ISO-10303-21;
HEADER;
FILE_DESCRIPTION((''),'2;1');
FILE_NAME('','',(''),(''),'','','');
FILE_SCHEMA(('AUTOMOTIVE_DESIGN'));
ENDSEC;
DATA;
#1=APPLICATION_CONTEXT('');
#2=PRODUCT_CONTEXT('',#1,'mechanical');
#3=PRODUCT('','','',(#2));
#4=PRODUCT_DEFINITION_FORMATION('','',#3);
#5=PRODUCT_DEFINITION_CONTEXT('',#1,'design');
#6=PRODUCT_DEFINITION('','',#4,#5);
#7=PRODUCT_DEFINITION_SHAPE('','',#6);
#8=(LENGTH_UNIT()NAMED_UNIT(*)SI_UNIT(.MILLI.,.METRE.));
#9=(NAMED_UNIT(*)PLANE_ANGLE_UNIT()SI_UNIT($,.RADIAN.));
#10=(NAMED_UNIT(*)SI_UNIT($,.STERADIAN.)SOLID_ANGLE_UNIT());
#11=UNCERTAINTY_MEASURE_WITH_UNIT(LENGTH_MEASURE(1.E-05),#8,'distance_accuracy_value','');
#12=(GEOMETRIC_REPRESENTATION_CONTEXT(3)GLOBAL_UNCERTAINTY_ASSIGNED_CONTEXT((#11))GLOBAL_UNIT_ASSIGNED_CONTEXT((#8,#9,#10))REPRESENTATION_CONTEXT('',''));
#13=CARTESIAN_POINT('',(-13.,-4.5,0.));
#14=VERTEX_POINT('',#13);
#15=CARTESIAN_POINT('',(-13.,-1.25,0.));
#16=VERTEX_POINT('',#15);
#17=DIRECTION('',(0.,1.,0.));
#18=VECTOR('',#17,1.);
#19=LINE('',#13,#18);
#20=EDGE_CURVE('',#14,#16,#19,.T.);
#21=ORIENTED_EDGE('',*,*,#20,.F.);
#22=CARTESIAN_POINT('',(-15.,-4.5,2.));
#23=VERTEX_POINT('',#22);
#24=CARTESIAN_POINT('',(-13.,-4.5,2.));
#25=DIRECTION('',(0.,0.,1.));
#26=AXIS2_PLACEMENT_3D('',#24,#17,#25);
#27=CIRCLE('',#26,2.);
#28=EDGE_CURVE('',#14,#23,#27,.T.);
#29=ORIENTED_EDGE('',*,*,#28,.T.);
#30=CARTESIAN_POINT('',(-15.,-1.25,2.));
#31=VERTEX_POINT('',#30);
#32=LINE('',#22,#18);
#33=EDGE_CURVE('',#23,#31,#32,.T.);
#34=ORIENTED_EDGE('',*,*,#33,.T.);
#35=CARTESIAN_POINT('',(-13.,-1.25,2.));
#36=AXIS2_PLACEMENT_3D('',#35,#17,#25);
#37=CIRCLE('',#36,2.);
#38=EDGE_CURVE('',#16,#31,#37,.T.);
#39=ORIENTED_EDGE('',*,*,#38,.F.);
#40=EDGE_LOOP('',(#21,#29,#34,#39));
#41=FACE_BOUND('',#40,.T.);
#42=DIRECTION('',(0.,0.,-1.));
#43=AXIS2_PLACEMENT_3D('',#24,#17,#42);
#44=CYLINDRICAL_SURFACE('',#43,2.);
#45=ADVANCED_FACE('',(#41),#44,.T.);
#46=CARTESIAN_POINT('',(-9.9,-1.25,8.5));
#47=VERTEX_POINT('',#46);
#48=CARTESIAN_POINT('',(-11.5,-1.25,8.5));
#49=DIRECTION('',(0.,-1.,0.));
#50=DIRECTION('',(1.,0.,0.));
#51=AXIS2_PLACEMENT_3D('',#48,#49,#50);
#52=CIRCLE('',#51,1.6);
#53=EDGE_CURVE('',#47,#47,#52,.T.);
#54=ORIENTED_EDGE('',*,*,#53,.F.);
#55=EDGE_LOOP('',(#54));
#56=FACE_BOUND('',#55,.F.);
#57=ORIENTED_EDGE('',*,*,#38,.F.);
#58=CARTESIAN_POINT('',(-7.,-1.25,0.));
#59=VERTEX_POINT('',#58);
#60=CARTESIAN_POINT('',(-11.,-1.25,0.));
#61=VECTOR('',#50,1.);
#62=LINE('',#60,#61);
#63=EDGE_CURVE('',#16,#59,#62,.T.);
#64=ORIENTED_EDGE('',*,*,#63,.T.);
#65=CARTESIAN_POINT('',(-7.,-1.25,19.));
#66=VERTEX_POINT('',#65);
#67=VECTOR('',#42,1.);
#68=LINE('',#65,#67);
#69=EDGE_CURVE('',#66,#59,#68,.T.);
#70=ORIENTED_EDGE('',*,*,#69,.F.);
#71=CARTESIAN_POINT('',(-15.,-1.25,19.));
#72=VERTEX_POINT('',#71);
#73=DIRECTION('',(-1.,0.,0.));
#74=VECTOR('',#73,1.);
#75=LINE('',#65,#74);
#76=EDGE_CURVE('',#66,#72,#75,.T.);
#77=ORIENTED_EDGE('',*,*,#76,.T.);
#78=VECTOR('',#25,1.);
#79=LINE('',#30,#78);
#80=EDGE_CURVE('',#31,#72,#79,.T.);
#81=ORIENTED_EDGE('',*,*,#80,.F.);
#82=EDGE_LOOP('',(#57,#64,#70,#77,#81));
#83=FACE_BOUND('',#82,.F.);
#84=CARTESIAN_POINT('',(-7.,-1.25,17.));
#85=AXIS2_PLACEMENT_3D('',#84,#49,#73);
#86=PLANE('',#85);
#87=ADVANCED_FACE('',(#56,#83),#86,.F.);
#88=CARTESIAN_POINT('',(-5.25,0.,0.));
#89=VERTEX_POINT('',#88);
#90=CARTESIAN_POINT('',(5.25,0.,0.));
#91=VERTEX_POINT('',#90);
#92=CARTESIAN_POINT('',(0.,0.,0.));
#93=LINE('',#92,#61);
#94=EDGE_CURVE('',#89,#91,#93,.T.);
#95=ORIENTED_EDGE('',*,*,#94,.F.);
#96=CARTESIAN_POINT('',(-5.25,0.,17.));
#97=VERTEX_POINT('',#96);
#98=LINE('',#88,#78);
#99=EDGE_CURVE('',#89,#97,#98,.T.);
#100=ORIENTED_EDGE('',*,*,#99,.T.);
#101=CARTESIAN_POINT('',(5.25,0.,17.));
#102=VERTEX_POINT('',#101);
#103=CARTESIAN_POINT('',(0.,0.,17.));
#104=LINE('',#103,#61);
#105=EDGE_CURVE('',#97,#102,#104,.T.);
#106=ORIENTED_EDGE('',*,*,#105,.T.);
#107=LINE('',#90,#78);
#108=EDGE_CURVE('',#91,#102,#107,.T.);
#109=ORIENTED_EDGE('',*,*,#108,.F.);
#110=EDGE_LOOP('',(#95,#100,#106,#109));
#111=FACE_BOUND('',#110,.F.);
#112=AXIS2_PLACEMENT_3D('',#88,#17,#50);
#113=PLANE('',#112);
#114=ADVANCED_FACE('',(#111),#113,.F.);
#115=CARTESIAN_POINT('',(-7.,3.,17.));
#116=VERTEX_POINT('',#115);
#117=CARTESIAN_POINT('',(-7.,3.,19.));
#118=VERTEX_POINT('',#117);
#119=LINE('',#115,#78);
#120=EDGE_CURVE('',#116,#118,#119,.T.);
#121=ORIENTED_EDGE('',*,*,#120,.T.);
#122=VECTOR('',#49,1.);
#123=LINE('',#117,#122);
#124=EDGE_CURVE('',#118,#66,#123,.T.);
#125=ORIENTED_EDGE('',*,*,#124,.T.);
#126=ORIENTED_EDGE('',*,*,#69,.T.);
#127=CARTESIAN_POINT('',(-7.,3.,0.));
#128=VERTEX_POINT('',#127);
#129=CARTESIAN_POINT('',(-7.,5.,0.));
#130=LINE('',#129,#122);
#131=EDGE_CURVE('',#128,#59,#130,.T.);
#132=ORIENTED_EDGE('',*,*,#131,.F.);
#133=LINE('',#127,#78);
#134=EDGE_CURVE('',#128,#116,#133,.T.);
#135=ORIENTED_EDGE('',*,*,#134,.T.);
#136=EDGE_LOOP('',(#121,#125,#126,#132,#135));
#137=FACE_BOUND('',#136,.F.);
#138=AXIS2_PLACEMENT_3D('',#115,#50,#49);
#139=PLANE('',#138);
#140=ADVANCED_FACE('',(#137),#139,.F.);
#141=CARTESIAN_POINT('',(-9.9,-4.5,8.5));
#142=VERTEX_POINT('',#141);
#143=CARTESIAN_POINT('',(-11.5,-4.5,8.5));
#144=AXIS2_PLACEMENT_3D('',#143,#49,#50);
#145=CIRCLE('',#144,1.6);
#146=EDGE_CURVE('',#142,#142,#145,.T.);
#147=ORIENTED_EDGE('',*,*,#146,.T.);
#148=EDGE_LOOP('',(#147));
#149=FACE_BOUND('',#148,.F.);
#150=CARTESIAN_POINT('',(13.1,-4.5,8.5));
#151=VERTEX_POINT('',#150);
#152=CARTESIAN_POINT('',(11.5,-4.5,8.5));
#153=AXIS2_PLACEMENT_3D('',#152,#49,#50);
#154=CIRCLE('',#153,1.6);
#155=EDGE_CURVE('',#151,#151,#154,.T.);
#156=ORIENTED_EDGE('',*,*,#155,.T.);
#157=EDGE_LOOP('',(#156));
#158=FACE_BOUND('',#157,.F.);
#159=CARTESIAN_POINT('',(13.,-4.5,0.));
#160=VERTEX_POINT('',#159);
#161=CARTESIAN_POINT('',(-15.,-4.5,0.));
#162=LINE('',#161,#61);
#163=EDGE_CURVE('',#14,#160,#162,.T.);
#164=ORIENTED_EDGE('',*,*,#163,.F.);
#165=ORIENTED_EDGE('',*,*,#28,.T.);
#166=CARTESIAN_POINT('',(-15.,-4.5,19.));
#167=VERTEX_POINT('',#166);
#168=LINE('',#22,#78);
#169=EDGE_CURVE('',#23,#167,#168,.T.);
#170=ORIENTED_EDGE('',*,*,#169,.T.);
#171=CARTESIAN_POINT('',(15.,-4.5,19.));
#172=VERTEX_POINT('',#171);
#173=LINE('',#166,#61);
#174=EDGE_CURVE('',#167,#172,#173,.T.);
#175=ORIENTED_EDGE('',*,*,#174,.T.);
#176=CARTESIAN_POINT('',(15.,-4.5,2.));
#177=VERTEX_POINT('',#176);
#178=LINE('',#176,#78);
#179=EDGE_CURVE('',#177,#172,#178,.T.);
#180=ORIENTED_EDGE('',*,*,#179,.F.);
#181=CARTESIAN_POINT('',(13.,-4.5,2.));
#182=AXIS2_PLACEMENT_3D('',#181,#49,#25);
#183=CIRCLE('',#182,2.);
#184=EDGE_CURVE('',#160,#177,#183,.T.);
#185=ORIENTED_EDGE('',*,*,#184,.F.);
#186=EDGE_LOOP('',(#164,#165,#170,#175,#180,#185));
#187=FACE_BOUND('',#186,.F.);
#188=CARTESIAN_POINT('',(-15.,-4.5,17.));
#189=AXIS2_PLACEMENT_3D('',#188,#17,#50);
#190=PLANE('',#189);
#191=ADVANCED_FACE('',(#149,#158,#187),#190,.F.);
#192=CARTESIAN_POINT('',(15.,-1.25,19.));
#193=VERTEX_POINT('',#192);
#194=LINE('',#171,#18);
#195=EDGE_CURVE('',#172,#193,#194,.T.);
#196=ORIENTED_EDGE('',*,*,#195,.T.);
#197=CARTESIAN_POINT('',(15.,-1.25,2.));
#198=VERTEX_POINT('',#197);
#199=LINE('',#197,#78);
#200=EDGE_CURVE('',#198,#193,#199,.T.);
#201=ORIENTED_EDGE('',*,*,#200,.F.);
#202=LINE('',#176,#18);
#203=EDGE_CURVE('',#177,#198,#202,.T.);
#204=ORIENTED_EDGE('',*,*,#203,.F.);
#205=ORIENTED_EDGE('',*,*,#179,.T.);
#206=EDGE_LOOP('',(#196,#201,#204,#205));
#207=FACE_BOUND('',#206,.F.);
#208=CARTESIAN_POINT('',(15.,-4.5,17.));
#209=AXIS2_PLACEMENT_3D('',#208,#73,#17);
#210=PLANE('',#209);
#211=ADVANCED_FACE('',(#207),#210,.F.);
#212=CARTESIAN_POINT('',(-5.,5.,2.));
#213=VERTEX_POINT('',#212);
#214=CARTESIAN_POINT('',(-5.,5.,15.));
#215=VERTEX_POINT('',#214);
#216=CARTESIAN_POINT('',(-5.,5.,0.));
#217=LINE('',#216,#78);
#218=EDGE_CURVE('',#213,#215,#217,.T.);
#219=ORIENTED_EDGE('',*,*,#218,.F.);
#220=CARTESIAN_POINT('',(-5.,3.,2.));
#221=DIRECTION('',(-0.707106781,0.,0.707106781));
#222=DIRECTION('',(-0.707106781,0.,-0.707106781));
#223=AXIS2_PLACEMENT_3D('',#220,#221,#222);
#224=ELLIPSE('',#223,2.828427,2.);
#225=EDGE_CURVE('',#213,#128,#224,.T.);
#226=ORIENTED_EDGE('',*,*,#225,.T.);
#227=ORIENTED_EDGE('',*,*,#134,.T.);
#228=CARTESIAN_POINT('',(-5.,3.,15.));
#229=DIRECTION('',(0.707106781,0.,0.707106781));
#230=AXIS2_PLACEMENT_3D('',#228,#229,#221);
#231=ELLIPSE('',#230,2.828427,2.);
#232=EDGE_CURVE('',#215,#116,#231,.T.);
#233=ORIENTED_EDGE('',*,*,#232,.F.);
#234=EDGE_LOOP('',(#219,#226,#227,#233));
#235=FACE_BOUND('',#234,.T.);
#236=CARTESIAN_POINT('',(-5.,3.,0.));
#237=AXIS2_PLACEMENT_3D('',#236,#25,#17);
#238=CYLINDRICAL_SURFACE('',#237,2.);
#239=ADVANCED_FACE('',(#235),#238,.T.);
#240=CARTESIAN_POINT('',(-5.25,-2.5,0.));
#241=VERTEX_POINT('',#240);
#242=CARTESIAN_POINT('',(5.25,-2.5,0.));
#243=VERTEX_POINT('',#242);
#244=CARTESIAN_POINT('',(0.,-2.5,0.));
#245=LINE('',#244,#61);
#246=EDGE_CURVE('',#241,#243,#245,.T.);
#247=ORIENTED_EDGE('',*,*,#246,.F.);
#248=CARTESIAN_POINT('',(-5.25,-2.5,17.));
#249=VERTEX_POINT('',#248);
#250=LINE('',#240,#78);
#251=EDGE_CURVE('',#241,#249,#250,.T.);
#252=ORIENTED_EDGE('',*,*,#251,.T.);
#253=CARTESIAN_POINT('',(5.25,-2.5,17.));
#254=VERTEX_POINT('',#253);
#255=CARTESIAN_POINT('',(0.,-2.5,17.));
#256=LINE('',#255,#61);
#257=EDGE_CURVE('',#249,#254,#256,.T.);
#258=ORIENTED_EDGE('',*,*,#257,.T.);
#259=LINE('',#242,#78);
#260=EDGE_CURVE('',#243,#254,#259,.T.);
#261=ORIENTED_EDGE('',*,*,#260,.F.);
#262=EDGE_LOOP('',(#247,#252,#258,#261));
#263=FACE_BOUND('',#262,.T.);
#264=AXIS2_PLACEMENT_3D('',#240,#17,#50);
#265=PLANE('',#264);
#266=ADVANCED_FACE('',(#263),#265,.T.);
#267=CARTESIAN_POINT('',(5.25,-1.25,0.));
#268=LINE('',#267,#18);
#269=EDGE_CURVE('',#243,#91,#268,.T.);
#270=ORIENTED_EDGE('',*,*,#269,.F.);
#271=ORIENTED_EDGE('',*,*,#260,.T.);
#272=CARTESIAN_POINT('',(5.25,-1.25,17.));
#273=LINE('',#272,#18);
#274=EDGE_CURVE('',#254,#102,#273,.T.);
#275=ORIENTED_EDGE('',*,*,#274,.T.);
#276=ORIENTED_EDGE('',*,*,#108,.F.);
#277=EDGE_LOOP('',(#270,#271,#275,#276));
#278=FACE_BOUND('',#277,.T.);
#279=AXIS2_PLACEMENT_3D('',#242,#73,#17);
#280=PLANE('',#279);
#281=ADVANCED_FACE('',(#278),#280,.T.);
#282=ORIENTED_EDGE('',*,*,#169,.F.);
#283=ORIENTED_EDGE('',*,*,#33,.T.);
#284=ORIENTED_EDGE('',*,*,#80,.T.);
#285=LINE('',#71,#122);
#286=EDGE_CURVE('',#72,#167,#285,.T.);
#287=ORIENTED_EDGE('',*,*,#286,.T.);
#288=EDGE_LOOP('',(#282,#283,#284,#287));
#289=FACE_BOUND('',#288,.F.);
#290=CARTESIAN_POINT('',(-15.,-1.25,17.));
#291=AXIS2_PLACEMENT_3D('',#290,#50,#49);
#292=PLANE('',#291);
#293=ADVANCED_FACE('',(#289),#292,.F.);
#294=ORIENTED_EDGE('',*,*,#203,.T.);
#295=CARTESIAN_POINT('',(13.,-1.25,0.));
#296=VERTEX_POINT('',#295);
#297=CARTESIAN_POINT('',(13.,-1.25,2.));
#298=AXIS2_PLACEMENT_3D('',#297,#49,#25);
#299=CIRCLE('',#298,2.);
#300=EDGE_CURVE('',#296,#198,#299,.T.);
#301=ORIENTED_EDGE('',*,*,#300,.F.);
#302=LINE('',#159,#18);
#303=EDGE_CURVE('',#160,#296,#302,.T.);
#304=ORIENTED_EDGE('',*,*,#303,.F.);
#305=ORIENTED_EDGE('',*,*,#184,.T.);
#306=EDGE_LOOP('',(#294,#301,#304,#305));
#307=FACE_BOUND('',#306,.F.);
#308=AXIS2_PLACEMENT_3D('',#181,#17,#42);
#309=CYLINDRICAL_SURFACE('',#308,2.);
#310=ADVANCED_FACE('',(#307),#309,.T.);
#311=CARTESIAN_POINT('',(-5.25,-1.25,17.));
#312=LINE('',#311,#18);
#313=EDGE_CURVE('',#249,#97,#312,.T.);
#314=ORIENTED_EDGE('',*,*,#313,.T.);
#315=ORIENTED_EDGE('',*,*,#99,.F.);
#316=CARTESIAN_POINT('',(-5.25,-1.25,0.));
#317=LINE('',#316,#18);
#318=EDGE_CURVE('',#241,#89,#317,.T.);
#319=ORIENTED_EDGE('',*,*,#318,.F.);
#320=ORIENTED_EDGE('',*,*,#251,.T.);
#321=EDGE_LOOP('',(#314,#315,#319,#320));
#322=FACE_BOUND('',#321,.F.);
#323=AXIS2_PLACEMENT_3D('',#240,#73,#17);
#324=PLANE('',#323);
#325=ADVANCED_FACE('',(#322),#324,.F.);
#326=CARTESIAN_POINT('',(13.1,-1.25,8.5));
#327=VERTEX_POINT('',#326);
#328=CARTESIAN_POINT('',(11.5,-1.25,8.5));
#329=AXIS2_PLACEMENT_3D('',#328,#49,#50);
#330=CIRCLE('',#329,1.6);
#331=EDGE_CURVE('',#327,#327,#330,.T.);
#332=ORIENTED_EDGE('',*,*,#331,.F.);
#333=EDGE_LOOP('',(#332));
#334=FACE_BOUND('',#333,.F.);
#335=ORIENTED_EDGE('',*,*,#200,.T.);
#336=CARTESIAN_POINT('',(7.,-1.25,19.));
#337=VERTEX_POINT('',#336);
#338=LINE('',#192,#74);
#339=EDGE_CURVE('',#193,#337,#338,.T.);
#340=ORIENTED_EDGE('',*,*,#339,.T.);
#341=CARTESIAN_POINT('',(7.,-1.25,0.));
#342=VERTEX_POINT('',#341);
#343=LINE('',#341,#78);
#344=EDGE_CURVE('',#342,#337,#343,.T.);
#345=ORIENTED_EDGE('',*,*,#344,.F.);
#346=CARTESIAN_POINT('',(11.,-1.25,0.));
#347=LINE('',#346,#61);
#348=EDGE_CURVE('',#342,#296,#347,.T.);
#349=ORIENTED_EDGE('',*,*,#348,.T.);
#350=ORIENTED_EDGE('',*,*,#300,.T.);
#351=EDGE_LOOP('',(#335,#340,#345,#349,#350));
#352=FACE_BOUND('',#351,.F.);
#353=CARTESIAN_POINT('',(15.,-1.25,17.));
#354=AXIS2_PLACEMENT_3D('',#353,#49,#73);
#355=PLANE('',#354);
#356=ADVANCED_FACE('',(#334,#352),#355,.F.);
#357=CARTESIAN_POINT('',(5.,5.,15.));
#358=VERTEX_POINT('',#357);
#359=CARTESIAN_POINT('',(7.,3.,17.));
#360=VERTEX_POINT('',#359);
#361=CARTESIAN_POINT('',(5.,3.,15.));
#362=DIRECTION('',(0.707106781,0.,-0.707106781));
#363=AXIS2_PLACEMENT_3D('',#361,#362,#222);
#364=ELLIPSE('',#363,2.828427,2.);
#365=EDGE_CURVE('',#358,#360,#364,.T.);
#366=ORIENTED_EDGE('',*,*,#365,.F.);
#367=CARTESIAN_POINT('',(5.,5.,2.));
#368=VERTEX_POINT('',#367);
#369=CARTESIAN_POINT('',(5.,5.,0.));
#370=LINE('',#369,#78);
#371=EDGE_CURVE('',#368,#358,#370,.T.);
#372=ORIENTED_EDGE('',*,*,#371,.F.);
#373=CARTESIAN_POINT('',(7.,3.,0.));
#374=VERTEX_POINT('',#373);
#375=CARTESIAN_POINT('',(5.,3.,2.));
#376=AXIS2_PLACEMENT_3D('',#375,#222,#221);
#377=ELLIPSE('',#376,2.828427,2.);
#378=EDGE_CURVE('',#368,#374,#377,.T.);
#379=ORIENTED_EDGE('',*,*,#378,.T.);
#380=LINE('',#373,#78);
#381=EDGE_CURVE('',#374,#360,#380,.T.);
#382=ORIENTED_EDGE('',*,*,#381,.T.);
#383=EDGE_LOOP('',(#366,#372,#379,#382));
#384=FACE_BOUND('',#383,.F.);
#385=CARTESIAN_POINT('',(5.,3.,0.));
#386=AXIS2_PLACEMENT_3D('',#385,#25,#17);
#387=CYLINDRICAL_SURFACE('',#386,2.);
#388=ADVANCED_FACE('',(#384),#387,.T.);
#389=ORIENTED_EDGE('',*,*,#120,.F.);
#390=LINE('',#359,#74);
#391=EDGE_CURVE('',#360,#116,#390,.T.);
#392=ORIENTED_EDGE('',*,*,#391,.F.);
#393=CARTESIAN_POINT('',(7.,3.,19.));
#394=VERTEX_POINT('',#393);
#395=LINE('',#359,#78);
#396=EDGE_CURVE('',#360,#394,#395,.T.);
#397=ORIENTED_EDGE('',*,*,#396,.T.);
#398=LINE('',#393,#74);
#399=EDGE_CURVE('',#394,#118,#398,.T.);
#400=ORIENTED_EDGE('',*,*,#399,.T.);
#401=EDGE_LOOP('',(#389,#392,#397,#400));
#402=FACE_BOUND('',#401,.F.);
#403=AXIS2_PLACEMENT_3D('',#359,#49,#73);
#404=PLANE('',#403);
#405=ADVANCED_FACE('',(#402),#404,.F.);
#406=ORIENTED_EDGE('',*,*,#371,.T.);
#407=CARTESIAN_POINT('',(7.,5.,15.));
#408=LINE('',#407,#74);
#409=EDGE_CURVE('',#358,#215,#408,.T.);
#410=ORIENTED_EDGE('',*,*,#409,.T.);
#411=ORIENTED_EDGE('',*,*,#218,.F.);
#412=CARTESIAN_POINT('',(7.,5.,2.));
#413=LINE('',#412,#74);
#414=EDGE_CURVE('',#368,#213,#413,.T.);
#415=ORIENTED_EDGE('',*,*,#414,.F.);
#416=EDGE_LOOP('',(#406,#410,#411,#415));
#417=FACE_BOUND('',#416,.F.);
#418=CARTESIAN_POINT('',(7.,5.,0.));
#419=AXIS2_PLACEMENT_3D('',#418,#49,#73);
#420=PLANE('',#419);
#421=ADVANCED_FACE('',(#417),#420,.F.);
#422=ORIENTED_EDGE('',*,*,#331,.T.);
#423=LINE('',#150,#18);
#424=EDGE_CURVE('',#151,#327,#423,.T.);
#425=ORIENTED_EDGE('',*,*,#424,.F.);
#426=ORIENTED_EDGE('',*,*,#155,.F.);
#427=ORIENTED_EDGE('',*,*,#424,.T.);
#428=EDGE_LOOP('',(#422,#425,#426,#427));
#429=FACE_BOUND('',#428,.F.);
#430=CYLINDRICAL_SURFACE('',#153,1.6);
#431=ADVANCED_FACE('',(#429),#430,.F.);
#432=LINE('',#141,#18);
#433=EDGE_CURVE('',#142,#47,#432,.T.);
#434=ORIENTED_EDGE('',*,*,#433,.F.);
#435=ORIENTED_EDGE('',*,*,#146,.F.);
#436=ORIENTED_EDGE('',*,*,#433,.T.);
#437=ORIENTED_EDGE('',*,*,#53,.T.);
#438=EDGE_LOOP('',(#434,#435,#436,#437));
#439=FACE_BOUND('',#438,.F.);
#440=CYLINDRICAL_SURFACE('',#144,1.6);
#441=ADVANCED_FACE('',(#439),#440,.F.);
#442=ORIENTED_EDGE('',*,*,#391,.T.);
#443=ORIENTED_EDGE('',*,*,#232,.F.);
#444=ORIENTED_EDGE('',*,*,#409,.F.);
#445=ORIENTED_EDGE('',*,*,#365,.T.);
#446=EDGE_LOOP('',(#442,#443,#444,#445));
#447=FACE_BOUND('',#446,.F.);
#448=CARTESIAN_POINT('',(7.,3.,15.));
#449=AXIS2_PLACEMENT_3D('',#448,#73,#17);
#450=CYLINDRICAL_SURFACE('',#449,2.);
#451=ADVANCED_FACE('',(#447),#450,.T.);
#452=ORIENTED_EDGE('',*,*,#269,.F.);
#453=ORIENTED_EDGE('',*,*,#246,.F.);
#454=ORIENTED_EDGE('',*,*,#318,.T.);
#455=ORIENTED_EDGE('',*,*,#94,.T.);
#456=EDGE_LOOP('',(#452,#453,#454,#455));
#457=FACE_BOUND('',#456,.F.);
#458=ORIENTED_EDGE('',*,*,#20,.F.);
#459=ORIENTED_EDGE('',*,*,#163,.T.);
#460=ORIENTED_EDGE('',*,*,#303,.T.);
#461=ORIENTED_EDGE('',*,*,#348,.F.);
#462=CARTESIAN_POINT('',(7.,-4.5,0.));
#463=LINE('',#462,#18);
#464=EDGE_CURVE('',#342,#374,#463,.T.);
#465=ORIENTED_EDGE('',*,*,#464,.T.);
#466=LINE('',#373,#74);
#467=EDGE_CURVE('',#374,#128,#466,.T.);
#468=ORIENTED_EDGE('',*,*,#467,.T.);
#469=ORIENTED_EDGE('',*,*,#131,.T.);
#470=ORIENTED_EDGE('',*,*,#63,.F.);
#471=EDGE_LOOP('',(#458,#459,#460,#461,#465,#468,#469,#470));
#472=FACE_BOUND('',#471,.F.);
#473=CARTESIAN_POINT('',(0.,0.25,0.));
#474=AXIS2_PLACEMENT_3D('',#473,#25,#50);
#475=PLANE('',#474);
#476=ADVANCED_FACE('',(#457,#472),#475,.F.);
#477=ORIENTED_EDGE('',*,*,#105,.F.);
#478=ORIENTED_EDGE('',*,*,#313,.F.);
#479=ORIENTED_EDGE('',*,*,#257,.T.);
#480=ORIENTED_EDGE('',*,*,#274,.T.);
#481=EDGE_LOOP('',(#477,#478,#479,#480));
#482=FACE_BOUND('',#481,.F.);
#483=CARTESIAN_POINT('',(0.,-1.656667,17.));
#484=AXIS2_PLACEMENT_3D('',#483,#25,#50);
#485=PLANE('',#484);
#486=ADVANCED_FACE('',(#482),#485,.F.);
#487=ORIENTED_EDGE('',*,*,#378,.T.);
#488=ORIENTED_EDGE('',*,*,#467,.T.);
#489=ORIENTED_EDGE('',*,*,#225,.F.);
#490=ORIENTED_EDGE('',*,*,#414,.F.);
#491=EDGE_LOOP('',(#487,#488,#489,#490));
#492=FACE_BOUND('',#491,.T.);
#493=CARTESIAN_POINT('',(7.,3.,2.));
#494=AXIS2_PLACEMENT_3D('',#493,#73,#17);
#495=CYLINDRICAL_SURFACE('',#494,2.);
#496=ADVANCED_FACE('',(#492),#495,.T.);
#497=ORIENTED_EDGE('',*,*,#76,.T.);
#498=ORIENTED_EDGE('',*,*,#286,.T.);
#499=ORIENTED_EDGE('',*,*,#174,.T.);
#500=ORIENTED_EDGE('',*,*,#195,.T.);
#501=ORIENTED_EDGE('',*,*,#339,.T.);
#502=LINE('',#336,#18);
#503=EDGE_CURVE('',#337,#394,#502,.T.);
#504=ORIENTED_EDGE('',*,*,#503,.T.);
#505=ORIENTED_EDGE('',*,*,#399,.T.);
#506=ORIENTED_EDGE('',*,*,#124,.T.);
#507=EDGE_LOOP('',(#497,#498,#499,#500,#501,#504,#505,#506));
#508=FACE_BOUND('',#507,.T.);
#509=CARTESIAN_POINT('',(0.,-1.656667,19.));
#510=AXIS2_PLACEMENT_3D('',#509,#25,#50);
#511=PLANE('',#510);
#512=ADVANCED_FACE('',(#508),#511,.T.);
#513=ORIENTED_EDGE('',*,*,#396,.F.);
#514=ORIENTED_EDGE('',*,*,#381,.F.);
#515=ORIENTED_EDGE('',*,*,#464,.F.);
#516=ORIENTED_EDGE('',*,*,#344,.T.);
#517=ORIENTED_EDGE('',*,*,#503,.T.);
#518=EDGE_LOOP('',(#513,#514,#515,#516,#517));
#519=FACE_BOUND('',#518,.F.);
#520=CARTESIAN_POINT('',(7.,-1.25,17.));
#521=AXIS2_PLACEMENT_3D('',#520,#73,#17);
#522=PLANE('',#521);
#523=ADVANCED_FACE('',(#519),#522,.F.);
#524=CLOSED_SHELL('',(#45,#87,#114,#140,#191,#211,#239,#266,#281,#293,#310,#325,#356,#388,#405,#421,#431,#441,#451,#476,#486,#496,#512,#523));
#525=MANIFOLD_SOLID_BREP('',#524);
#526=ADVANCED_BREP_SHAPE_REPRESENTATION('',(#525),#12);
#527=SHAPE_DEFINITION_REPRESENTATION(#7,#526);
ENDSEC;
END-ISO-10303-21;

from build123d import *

# Parameters (mm, degrees)
F0_W     = 10.5
F0_H     = 2.5
F0_W_2   = 8
F0_H_2   = 3.25
F1_DEPTH = 17
F2_R     = 1.6
F3_DEPTH = 25
F4_R     = 2
F5_W     = 10.5
F5_H     = 2.5
F6_DEPTH = 2


with BuildPart() as f1:
    # F0 (on Top) → F1 (new body)
    with BuildSketch(Plane.XY):
        Polygon((7, 5), (-7, 5), (-7, -1.25), (-7, -4.5), (7, -4.5), (7, -1.25), align=None)
        with Locations((0, -1.25)):
            Rectangle(F0_W, F0_H, mode=Mode.SUBTRACT)
        with Locations((11, -2.875)):
            Rectangle(F0_W_2, F0_H_2)
        with Locations((-11, -2.875)):
            Rectangle(F0_W_2, F0_H_2)
    extrude(amount=F1_DEPTH)

    # F2 (on face) → F3 (cut)
    with BuildSketch(Plane.XZ.offset(4.5)):
        with Locations((11.5, 8.5)):
            Circle(F2_R)
        with Locations((-11.5, 8.5)):
            Circle(F2_R)
    extrude(amount=-F3_DEPTH, mode=Mode.SUBTRACT)

    # F4
    f4_edges = [f1.edges().sort_by_distance(p)[0] for p in [
        (0, 5, 0),
        (-7, 5, 8.5),
        (0, 5, 17),
        (7, 5, 8.5),
        (-15, -2.875, 0),
        (15, -2.875, 0),
    ]]
    fillet(f4_edges, radius=F4_R)

    # F5 (on face) → F6 (join)
    with BuildSketch(Plane.XY.offset(17)):
        Polygon((-7, -1.25), (-15, -1.25), (-15, -4.5), (15, -4.5), (15, -1.25), (7, -1.25), (7, 3), (-7, 3), align=None)
        with Locations((0, -1.25)):
            Rectangle(F5_W, F5_H, mode=Mode.SUBTRACT)
        with Locations((0, -1.25)):
            Rectangle(F5_W, F5_H)
    extrude(amount=F6_DEPTH)


solid = f1.part
